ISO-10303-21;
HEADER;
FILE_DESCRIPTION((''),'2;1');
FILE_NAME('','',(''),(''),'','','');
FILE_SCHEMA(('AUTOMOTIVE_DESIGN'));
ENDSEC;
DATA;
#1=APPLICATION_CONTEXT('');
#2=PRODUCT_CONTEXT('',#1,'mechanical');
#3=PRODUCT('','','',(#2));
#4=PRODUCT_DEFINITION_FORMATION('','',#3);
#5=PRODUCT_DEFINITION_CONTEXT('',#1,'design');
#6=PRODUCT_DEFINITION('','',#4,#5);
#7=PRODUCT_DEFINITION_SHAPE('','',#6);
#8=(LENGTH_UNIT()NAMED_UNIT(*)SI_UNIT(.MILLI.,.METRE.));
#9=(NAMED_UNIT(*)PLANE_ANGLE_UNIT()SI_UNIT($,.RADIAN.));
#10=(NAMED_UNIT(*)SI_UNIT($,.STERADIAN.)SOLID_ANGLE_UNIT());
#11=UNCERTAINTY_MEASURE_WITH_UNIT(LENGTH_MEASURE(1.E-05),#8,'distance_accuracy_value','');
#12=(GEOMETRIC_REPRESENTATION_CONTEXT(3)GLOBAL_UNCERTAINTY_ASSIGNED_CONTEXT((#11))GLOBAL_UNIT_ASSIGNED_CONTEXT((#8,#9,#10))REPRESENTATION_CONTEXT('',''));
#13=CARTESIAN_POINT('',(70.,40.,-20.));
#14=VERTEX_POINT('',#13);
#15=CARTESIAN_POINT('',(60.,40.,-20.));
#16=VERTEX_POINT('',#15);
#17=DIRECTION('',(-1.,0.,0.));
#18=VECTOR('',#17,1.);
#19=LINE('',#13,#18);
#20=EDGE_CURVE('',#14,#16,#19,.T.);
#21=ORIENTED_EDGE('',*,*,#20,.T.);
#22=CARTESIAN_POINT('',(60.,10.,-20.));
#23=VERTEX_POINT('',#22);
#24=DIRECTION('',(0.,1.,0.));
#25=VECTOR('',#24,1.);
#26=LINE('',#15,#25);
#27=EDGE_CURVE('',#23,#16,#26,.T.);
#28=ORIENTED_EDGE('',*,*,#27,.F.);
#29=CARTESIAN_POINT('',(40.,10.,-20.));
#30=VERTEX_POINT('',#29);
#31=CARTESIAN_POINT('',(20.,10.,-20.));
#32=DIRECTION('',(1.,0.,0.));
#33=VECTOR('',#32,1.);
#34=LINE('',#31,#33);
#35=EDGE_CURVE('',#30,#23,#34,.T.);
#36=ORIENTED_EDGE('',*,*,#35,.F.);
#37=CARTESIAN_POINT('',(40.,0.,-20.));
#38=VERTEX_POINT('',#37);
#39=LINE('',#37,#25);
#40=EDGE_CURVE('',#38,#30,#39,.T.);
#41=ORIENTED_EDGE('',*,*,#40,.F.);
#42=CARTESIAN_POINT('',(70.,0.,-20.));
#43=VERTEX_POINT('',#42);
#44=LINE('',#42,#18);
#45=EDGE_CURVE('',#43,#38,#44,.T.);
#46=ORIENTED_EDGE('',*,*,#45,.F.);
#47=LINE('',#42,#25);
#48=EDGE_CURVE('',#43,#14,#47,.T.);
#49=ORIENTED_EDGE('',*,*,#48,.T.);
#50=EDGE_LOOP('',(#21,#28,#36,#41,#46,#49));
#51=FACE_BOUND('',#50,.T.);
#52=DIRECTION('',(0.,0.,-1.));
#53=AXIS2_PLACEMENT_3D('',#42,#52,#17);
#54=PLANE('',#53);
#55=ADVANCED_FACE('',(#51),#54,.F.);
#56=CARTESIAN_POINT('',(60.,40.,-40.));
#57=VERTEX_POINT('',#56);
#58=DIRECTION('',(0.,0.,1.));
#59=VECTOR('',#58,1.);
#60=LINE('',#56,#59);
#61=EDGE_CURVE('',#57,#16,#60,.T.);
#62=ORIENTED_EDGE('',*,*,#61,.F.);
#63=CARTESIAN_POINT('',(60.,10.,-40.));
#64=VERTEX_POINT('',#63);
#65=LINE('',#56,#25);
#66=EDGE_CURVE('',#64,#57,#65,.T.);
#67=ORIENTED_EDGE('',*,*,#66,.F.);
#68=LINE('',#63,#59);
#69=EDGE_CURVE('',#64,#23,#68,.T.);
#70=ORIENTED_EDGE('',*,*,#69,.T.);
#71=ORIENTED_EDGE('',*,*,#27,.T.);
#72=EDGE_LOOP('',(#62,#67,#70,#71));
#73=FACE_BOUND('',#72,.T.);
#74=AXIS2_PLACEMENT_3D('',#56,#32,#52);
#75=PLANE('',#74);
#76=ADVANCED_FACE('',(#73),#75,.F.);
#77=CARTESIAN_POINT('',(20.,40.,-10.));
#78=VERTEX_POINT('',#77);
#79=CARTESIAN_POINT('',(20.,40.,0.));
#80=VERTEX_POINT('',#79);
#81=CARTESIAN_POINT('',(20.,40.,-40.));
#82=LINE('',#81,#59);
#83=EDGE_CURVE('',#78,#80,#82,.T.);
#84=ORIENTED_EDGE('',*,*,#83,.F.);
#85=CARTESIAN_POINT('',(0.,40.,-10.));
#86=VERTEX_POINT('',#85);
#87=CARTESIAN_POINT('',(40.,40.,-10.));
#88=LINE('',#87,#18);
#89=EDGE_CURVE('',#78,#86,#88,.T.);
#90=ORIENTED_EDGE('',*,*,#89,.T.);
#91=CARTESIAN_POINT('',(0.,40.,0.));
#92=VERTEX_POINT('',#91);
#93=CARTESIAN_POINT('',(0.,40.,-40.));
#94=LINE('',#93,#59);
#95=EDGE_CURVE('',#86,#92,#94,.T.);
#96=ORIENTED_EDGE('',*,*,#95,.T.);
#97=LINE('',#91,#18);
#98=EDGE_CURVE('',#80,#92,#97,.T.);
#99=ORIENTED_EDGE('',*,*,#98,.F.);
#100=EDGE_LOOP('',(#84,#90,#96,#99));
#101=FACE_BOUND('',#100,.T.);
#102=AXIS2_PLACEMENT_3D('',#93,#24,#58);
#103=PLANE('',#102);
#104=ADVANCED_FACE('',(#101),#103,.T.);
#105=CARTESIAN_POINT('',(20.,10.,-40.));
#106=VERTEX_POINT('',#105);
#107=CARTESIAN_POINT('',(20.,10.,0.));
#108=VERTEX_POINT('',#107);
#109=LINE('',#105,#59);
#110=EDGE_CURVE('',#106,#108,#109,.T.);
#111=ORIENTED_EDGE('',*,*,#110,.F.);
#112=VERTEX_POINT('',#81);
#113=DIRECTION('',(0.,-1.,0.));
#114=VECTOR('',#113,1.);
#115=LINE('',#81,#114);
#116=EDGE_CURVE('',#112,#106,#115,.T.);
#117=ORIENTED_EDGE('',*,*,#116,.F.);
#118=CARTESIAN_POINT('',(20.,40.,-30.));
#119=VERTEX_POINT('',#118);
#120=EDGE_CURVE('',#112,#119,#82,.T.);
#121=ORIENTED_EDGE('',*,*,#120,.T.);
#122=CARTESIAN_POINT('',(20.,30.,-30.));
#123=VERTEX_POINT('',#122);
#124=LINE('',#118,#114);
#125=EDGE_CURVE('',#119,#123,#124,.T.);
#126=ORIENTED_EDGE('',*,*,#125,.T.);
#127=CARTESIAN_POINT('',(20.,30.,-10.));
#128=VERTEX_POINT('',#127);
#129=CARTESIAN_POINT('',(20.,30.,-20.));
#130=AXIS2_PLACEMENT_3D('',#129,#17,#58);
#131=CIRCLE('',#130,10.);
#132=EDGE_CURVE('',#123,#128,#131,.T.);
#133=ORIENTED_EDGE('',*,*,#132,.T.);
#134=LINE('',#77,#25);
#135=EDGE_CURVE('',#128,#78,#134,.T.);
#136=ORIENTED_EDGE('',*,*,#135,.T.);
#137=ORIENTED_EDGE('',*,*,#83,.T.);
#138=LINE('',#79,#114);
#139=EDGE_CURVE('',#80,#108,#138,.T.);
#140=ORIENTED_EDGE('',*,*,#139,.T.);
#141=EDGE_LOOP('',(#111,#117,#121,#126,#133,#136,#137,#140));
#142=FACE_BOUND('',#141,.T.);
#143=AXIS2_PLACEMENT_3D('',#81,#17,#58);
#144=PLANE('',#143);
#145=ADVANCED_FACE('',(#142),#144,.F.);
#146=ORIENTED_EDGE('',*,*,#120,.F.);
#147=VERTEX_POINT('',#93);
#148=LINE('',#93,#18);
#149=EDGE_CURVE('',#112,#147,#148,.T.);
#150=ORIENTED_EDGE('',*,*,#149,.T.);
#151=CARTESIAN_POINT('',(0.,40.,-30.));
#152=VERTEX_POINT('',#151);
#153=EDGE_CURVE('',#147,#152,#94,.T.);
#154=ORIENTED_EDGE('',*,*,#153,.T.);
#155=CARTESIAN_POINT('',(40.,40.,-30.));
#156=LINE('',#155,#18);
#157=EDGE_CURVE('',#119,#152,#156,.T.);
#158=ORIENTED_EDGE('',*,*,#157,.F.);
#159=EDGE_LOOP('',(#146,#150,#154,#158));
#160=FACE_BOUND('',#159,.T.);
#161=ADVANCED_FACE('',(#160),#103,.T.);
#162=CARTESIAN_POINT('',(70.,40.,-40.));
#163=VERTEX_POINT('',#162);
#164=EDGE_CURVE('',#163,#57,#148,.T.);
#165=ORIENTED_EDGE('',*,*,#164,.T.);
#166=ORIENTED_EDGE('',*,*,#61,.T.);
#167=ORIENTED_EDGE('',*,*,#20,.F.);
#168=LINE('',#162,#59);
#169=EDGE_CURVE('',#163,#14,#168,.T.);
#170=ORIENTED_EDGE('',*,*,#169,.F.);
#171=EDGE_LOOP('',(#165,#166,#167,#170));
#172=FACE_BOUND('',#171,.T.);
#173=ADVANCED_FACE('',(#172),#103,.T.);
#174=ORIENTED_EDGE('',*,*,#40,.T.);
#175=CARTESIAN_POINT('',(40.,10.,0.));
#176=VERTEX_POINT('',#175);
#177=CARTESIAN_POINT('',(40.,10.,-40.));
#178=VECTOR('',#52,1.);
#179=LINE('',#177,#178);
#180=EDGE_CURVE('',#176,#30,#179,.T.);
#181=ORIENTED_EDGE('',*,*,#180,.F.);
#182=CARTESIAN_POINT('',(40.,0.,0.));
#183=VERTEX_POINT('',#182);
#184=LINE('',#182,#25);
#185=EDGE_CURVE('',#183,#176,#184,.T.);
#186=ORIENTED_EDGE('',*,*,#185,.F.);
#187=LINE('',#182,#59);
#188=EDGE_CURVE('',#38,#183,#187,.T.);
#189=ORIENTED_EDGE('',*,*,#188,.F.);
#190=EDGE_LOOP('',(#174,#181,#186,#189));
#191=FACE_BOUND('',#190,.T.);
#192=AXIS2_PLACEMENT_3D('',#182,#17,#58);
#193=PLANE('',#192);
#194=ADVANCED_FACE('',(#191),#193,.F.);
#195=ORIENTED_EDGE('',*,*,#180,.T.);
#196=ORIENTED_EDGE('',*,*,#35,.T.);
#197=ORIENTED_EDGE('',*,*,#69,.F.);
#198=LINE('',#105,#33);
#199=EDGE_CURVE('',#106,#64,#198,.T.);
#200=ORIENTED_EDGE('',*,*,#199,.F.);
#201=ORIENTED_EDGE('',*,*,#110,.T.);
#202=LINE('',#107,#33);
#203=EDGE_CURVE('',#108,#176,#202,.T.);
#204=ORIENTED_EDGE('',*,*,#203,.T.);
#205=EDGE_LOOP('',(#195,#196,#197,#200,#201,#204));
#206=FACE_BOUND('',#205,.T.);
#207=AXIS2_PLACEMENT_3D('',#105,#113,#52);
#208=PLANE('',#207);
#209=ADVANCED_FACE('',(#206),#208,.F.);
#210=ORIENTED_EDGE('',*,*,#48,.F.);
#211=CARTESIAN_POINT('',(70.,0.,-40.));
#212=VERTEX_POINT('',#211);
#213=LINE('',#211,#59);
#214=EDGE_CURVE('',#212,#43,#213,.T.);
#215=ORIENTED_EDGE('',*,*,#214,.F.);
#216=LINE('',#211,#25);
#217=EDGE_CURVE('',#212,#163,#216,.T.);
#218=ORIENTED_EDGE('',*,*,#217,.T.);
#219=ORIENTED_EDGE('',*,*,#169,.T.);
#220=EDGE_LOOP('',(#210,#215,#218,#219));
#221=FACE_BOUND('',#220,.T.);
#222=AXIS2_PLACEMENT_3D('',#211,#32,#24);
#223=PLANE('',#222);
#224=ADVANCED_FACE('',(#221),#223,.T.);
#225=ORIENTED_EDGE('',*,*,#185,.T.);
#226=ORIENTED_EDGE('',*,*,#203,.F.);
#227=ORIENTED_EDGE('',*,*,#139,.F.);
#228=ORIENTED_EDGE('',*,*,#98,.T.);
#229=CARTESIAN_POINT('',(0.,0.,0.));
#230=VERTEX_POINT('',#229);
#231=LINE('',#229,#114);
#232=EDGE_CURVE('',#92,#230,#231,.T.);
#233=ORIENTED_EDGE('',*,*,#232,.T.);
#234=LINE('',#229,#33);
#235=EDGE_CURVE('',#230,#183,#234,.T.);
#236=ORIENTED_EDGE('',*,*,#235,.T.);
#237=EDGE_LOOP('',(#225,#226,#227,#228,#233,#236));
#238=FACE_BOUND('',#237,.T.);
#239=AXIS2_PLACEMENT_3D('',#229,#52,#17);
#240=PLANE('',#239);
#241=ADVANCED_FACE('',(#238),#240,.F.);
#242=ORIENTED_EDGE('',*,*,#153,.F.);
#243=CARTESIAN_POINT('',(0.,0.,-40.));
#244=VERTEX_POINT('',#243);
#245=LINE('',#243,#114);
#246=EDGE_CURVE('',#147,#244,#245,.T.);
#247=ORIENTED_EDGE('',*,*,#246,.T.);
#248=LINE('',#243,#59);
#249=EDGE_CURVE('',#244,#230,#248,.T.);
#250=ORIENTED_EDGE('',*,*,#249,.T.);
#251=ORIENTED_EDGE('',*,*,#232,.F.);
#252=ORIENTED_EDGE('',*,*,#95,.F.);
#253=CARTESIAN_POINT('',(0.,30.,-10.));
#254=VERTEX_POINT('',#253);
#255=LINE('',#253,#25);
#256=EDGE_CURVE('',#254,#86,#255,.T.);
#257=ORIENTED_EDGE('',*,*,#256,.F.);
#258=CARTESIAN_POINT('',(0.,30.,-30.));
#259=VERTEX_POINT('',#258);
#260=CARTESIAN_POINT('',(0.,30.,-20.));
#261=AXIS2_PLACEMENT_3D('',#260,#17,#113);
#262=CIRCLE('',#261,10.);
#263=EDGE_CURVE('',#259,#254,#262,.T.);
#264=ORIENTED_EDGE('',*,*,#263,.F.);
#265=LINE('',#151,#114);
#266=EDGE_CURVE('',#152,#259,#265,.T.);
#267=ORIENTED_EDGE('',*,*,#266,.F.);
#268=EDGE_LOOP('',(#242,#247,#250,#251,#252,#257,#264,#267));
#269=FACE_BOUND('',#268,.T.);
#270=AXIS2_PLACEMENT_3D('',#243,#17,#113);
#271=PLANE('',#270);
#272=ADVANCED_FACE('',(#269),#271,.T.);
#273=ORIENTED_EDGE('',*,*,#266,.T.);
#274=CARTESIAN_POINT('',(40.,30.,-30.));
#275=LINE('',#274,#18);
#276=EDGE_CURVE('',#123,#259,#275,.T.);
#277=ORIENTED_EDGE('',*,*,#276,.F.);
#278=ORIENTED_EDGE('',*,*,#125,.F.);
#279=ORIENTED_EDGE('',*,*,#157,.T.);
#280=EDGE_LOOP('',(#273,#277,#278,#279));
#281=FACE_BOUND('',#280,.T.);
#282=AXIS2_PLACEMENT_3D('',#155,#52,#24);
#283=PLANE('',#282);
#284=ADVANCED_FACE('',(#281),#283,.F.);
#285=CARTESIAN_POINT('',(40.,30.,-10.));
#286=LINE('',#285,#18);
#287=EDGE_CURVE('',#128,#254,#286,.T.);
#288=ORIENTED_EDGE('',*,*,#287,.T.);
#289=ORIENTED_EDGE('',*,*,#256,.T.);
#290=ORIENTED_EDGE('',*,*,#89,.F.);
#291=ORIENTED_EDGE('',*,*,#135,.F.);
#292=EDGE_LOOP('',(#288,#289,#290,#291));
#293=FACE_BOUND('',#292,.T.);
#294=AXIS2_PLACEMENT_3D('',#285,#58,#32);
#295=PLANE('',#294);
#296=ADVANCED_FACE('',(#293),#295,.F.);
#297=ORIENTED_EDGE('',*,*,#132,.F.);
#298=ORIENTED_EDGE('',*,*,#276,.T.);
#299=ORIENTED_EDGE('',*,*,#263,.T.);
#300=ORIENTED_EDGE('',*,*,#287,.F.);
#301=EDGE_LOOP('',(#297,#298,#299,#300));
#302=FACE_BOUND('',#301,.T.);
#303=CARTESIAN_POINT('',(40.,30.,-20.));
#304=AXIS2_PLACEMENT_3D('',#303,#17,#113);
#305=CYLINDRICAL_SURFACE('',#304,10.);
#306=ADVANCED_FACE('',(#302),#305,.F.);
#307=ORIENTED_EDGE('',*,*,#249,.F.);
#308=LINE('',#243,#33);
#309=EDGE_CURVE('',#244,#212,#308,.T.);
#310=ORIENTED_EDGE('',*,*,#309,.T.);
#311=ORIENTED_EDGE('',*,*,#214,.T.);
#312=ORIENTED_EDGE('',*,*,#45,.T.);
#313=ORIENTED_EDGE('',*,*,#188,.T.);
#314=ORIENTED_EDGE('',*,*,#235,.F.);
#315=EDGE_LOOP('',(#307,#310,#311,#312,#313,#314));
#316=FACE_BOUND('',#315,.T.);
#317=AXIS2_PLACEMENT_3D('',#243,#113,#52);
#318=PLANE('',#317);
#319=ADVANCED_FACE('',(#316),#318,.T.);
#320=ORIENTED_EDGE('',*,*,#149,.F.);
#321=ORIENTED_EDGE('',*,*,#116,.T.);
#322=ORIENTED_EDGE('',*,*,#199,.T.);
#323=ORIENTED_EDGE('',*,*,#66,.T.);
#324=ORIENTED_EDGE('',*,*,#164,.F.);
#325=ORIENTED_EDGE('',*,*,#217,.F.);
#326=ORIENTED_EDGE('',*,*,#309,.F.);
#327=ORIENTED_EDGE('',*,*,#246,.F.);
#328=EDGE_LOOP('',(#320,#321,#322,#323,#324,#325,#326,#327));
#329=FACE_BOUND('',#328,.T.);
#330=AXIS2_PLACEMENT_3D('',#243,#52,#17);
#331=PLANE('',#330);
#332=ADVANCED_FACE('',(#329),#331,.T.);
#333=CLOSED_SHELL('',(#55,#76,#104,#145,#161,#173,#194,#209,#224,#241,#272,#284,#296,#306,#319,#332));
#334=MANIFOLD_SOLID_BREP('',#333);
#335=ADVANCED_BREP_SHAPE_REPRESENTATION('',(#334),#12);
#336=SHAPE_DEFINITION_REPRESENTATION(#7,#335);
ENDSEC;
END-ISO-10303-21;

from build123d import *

# Parameters (mm, degrees)
SKETCH_1_W          = 70
SKETCH_1_H          = 40
EXTRUDE_1_DEPTH     = 40
SKETCH_2_W          = 40
SKETCH_2_H          = 30
CUT_EXTRUDE_1_DEPTH = 40
SKETCH_3_W          = 30
SKETCH_3_H          = 20
CUT_EXTRUDE_2_DEPTH = 40
CUT_EXTRUDE_3_DEPTH = 40


with BuildPart() as part:
    # 스케치1 → 보스-돌출1 (new body)
    with BuildSketch(Plane.XY):
        with Locations((35, 20)):
            Rectangle(SKETCH_1_W, SKETCH_1_H)
    extrude(amount=-EXTRUDE_1_DEPTH)

    # 스케치2 → 컷-돌출1 (cut)
    with BuildSketch(Plane.XY):
        with Locations((40, 25)):
            Rectangle(SKETCH_2_W, SKETCH_2_H)
    extrude(amount=-CUT_EXTRUDE_1_DEPTH, mode=Mode.SUBTRACT)

    # 스케치3 → 컷-돌출2 (cut)
    with BuildSketch(Plane(origin=(0, 40, 0), x_dir=(1, 0, 0), z_dir=(0, 1, 0))):
        with Locations((55, 10)):
            Rectangle(SKETCH_3_W, SKETCH_3_H)
    extrude(amount=-CUT_EXTRUDE_2_DEPTH, mode=Mode.SUBTRACT)

    # 스케치4 → 컷-돌출3 (cut)
    with BuildSketch(Plane.ZY):
        with BuildLine():
            Line((-30, 40), (-30, 30))
            ThreePointArc((-30, 30), (-20, 20), (-10, 30))
            Line((-10, 30), (-10, 40))
            Line((-10, 40), (-30, 40))
        make_face()
    extrude(amount=-CUT_EXTRUDE_3_DEPTH, mode=Mode.SUBTRACT)


solid = part.part
